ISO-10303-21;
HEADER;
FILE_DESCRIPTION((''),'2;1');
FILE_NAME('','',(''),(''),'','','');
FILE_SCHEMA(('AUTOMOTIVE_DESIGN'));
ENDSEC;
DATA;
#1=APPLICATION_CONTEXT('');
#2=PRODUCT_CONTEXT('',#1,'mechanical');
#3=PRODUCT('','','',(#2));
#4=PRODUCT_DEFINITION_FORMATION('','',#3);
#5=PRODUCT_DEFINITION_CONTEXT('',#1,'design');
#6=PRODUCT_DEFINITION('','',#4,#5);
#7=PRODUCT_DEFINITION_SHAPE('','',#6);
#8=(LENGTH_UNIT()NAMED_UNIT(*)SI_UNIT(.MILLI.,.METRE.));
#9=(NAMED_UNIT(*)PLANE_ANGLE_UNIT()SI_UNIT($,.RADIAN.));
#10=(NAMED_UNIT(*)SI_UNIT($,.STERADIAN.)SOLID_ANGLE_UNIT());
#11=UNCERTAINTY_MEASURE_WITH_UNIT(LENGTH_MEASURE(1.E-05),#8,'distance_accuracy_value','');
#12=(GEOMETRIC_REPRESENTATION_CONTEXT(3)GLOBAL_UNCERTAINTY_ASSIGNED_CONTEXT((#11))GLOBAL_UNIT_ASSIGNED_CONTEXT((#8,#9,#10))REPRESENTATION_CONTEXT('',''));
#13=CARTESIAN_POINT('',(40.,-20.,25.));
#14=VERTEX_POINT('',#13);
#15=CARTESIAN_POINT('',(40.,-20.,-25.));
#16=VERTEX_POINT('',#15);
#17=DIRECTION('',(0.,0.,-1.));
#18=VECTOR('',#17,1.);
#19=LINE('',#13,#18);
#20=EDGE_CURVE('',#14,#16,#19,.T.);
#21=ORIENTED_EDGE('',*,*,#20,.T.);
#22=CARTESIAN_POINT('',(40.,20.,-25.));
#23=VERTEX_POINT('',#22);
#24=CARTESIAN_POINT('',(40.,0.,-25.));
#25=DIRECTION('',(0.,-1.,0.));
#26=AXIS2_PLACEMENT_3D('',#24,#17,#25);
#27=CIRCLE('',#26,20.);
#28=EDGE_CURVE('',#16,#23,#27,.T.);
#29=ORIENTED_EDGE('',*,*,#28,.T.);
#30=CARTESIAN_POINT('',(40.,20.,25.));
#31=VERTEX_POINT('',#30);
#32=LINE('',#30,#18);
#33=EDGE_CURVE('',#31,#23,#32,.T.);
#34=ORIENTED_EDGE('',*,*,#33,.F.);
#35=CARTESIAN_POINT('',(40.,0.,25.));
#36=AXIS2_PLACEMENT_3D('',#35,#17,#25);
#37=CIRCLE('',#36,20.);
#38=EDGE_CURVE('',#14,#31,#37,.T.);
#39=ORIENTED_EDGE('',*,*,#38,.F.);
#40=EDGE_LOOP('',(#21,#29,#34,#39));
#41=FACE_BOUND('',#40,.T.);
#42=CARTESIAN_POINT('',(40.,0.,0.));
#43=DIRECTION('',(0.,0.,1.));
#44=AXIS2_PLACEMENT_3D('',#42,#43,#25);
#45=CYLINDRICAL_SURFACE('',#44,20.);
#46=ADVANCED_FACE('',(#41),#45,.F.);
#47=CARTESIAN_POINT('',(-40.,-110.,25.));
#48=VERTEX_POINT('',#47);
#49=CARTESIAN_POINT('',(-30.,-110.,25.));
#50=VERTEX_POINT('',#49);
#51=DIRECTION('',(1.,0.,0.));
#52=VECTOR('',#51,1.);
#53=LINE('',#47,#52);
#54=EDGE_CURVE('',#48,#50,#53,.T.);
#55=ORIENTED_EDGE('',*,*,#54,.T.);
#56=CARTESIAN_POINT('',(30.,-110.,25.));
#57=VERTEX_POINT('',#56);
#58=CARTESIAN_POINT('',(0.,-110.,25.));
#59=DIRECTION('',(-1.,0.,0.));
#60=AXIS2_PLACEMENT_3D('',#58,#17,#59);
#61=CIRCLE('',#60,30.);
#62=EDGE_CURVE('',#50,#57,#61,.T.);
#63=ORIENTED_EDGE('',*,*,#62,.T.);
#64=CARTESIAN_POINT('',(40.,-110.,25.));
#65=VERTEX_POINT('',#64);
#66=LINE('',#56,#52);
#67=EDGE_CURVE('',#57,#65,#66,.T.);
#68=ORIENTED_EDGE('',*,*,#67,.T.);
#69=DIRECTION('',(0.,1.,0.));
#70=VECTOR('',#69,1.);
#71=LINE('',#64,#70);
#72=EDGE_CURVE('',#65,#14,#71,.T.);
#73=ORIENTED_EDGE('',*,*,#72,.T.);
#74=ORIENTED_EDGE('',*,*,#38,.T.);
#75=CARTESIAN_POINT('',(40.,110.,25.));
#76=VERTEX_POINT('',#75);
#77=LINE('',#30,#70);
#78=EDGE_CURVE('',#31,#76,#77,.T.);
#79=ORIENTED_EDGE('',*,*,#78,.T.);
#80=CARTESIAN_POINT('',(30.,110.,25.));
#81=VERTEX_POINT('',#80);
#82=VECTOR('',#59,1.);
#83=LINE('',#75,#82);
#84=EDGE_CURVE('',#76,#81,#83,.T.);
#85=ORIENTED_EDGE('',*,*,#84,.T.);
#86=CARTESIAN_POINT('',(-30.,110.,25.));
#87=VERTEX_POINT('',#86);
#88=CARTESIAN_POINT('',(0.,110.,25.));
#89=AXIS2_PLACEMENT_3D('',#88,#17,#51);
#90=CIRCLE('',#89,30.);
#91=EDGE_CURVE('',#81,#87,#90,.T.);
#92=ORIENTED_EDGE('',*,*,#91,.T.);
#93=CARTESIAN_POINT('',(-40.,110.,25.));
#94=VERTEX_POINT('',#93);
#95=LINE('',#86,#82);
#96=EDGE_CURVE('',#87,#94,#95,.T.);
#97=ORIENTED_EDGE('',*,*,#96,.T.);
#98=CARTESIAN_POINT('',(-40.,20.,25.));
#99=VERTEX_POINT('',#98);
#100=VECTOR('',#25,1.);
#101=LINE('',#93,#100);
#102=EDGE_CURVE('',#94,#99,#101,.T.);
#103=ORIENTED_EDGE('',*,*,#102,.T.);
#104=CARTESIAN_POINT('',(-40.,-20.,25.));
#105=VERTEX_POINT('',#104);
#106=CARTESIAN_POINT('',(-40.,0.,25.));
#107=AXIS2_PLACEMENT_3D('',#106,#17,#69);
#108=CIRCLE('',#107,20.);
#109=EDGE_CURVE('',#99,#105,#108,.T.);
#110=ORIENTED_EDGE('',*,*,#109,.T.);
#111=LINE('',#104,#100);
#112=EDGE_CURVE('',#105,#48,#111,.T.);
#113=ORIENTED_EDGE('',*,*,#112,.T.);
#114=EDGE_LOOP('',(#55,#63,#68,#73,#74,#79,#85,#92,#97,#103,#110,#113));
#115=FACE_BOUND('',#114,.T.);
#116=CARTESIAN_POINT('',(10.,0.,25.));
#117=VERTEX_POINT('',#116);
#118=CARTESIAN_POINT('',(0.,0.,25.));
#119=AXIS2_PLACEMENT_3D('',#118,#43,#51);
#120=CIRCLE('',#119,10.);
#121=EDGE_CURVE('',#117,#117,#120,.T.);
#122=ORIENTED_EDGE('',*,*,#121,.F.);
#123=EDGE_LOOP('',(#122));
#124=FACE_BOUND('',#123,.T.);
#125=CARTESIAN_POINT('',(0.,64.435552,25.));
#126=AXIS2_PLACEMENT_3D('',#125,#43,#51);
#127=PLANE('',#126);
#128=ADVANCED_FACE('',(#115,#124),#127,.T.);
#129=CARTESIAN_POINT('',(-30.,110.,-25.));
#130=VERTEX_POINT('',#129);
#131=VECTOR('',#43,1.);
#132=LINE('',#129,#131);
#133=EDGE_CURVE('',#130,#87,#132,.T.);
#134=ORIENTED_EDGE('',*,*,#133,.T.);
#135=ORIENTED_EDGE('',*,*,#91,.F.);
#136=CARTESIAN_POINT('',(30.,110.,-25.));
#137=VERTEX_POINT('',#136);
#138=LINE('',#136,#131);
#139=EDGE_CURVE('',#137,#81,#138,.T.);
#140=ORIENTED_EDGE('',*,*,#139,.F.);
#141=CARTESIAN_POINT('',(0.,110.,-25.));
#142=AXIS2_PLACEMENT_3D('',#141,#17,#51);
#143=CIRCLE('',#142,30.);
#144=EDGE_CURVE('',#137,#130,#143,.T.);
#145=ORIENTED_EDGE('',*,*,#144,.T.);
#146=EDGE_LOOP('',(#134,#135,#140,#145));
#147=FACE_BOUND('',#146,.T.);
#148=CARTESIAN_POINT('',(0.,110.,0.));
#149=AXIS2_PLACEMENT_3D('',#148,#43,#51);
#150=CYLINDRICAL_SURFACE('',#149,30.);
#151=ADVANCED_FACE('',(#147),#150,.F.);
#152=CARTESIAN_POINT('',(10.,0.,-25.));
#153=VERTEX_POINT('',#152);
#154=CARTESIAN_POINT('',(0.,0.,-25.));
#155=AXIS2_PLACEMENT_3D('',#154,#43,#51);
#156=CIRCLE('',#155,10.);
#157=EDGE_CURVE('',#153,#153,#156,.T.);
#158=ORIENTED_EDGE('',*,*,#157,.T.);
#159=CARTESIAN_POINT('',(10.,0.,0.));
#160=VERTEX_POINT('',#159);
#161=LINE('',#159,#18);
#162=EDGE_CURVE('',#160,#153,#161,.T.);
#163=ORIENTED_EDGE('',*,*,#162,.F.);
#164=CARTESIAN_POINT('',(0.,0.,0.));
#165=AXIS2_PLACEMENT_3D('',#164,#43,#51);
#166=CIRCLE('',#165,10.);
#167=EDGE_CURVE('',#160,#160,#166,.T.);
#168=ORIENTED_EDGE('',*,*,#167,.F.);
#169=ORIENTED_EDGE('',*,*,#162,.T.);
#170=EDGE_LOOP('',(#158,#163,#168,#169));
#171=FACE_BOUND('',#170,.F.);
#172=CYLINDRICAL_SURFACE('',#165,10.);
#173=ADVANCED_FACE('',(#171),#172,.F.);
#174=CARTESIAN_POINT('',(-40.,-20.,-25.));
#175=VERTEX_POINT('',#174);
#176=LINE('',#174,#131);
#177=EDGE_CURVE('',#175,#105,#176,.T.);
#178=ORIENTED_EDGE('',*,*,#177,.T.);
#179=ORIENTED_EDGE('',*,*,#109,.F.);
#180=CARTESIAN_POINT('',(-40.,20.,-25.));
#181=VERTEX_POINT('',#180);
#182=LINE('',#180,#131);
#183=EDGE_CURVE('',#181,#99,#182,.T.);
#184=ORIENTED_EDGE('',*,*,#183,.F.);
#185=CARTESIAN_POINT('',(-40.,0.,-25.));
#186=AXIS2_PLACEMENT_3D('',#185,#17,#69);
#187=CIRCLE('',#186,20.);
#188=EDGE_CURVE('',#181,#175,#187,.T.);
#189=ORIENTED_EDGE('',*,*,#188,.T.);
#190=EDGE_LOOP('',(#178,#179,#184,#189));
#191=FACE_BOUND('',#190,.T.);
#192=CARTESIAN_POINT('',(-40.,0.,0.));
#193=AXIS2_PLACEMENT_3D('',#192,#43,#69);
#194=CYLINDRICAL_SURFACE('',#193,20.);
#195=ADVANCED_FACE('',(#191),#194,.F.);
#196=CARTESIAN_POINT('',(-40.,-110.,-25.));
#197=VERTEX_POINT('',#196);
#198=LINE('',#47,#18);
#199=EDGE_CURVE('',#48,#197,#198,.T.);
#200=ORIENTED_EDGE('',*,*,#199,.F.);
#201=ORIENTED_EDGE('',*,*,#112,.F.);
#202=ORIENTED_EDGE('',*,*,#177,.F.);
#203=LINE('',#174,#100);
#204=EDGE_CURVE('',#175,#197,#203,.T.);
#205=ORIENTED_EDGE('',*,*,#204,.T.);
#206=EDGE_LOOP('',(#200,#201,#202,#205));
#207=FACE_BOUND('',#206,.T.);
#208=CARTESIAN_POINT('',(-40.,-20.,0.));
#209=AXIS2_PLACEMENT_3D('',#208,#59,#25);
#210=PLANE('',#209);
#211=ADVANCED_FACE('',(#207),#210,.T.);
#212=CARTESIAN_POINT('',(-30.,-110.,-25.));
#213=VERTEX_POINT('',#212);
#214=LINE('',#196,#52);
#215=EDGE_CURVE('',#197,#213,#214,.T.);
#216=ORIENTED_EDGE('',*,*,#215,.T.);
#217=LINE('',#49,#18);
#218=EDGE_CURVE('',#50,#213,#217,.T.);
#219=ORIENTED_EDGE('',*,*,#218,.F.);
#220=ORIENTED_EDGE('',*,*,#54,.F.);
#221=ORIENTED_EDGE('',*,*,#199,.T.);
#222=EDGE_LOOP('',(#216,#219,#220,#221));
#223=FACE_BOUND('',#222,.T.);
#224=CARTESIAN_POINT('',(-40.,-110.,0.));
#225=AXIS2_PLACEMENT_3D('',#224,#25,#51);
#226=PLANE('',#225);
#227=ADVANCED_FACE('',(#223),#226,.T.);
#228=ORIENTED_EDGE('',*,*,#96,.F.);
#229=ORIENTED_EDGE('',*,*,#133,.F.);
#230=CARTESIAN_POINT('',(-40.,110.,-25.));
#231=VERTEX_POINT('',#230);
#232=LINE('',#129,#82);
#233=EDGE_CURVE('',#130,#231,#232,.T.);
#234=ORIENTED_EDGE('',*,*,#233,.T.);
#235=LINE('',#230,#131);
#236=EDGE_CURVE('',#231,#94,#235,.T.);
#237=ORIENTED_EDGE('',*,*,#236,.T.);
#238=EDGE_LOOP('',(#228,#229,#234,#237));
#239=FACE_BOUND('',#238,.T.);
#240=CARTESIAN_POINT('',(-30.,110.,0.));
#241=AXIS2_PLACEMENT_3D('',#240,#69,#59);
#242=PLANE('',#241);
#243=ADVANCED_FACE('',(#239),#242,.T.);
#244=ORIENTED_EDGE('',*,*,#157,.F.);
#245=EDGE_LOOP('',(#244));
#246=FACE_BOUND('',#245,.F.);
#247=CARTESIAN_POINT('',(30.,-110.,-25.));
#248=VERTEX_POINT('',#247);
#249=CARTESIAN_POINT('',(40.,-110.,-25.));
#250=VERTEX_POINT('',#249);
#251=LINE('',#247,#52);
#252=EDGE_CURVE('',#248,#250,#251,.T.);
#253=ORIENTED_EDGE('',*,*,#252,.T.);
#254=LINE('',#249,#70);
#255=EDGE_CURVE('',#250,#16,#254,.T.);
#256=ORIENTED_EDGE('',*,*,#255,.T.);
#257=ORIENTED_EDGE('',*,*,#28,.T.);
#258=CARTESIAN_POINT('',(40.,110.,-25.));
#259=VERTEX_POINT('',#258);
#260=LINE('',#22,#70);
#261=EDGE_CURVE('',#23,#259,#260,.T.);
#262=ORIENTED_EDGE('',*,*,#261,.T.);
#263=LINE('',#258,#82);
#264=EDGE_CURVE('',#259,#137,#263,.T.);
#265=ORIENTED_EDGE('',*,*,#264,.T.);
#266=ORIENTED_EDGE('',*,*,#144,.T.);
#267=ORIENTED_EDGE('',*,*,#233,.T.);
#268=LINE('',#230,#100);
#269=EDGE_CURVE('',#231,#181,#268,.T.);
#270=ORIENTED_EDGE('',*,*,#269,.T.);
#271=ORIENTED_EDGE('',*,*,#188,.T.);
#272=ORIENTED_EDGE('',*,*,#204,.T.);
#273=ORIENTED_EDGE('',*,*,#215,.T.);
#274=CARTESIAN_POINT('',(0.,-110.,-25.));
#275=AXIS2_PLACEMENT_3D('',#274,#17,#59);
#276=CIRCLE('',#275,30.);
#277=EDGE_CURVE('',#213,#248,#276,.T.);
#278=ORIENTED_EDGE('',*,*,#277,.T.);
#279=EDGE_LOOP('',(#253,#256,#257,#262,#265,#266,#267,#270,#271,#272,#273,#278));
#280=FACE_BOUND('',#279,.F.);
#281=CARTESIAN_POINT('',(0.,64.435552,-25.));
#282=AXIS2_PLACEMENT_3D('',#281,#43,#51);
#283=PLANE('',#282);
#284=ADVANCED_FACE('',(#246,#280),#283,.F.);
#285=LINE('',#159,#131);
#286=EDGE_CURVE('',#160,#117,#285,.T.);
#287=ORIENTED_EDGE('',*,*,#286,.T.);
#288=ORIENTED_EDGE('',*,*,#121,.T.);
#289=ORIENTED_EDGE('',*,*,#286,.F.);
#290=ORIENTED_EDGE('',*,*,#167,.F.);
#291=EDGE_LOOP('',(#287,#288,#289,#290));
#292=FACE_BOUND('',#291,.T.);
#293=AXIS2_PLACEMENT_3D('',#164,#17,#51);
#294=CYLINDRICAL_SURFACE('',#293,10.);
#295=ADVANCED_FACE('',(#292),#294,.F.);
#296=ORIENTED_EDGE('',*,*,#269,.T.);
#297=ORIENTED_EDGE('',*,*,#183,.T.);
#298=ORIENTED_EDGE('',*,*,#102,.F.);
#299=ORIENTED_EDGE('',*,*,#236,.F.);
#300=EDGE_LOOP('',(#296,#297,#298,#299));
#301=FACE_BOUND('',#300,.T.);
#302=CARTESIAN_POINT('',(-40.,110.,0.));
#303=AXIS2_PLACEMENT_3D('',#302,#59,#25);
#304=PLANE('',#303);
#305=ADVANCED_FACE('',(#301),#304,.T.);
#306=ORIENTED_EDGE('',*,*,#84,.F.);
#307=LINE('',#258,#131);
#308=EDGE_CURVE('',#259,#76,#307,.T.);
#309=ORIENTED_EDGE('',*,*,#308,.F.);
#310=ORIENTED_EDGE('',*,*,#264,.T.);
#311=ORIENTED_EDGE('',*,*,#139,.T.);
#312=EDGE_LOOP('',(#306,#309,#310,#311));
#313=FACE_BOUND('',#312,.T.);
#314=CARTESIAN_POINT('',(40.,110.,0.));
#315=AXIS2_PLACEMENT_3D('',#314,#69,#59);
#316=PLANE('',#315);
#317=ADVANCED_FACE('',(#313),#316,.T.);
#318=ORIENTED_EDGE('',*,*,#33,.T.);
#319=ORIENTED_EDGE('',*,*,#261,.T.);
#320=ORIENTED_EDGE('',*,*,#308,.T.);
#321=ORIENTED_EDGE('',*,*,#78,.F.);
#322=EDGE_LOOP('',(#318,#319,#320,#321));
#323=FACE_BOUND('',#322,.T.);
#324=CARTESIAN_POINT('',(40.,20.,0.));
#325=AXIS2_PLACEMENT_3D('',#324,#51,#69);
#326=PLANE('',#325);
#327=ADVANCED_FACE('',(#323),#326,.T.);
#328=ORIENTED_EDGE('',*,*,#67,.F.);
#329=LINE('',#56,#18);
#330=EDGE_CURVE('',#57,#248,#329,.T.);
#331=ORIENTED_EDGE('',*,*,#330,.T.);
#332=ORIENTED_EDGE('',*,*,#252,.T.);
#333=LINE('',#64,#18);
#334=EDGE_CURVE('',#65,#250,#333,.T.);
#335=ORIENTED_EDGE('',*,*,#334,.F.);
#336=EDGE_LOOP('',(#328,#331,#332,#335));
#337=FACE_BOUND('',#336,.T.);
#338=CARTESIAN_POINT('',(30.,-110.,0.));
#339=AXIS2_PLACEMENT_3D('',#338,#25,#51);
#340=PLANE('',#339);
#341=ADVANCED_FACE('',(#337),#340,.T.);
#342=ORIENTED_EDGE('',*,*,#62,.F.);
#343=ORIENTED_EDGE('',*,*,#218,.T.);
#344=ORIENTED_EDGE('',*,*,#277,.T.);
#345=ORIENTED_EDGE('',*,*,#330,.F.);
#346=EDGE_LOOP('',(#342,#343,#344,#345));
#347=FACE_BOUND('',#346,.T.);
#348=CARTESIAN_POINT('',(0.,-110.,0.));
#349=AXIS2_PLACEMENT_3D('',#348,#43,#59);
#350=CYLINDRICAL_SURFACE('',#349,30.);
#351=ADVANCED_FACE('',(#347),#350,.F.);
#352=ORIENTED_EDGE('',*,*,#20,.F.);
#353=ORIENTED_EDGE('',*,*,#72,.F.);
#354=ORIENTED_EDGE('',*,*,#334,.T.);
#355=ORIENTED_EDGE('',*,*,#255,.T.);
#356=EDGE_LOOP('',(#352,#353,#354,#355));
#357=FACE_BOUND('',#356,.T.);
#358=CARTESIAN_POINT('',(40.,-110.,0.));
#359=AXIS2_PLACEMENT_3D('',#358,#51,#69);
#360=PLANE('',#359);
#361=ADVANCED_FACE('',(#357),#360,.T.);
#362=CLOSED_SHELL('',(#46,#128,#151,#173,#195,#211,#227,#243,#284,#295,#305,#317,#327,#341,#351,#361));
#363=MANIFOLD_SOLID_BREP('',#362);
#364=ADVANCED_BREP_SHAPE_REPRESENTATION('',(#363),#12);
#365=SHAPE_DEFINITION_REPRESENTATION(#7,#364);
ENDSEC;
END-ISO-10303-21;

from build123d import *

# Parameters (mm, degrees)
F0_R          = 10
F1_DEPTH      = 25
F1_DEPTH_BACK = 25


with BuildPart() as f1:
    # F0 (on Top) → F1 (new body, two sides)
    with BuildSketch(Plane.XY) as f1_sk:
        with BuildLine():
            Line((-40, 20), (40, 20))
            Line((40, 20), (40, 110))
            Line((40, 110), (30, 110))
            ThreePointArc((30, 110), (0, 80), (-30, 110))
            Line((-30, 110), (-40, 110))
            Line((-40, 110), (-40, 20))
        make_face()
        with BuildLine():
            Line((30, -110), (40, -110))
            Line((40, -110), (40, -20))
            Line((40, -20), (-40, -20))
            Line((-40, -20), (-40, -110))
            Line((-40, -110), (-30, -110))
            ThreePointArc((-30, -110), (0, -80), (30, -110))
        make_face()
        with BuildLine():
            Line((-40, -20), (40, -20))
            ThreePointArc((40, -20), (20, 0), (40, 20))
            Line((40, 20), (-40, 20))
            ThreePointArc((-40, 20), (-20, 0), (-40, -20))
        make_face()
        Circle(F0_R, mode=Mode.SUBTRACT)
    extrude(amount=F1_DEPTH)
    extrude(f1_sk.sketch, amount=-F1_DEPTH_BACK)


solid = f1.part
